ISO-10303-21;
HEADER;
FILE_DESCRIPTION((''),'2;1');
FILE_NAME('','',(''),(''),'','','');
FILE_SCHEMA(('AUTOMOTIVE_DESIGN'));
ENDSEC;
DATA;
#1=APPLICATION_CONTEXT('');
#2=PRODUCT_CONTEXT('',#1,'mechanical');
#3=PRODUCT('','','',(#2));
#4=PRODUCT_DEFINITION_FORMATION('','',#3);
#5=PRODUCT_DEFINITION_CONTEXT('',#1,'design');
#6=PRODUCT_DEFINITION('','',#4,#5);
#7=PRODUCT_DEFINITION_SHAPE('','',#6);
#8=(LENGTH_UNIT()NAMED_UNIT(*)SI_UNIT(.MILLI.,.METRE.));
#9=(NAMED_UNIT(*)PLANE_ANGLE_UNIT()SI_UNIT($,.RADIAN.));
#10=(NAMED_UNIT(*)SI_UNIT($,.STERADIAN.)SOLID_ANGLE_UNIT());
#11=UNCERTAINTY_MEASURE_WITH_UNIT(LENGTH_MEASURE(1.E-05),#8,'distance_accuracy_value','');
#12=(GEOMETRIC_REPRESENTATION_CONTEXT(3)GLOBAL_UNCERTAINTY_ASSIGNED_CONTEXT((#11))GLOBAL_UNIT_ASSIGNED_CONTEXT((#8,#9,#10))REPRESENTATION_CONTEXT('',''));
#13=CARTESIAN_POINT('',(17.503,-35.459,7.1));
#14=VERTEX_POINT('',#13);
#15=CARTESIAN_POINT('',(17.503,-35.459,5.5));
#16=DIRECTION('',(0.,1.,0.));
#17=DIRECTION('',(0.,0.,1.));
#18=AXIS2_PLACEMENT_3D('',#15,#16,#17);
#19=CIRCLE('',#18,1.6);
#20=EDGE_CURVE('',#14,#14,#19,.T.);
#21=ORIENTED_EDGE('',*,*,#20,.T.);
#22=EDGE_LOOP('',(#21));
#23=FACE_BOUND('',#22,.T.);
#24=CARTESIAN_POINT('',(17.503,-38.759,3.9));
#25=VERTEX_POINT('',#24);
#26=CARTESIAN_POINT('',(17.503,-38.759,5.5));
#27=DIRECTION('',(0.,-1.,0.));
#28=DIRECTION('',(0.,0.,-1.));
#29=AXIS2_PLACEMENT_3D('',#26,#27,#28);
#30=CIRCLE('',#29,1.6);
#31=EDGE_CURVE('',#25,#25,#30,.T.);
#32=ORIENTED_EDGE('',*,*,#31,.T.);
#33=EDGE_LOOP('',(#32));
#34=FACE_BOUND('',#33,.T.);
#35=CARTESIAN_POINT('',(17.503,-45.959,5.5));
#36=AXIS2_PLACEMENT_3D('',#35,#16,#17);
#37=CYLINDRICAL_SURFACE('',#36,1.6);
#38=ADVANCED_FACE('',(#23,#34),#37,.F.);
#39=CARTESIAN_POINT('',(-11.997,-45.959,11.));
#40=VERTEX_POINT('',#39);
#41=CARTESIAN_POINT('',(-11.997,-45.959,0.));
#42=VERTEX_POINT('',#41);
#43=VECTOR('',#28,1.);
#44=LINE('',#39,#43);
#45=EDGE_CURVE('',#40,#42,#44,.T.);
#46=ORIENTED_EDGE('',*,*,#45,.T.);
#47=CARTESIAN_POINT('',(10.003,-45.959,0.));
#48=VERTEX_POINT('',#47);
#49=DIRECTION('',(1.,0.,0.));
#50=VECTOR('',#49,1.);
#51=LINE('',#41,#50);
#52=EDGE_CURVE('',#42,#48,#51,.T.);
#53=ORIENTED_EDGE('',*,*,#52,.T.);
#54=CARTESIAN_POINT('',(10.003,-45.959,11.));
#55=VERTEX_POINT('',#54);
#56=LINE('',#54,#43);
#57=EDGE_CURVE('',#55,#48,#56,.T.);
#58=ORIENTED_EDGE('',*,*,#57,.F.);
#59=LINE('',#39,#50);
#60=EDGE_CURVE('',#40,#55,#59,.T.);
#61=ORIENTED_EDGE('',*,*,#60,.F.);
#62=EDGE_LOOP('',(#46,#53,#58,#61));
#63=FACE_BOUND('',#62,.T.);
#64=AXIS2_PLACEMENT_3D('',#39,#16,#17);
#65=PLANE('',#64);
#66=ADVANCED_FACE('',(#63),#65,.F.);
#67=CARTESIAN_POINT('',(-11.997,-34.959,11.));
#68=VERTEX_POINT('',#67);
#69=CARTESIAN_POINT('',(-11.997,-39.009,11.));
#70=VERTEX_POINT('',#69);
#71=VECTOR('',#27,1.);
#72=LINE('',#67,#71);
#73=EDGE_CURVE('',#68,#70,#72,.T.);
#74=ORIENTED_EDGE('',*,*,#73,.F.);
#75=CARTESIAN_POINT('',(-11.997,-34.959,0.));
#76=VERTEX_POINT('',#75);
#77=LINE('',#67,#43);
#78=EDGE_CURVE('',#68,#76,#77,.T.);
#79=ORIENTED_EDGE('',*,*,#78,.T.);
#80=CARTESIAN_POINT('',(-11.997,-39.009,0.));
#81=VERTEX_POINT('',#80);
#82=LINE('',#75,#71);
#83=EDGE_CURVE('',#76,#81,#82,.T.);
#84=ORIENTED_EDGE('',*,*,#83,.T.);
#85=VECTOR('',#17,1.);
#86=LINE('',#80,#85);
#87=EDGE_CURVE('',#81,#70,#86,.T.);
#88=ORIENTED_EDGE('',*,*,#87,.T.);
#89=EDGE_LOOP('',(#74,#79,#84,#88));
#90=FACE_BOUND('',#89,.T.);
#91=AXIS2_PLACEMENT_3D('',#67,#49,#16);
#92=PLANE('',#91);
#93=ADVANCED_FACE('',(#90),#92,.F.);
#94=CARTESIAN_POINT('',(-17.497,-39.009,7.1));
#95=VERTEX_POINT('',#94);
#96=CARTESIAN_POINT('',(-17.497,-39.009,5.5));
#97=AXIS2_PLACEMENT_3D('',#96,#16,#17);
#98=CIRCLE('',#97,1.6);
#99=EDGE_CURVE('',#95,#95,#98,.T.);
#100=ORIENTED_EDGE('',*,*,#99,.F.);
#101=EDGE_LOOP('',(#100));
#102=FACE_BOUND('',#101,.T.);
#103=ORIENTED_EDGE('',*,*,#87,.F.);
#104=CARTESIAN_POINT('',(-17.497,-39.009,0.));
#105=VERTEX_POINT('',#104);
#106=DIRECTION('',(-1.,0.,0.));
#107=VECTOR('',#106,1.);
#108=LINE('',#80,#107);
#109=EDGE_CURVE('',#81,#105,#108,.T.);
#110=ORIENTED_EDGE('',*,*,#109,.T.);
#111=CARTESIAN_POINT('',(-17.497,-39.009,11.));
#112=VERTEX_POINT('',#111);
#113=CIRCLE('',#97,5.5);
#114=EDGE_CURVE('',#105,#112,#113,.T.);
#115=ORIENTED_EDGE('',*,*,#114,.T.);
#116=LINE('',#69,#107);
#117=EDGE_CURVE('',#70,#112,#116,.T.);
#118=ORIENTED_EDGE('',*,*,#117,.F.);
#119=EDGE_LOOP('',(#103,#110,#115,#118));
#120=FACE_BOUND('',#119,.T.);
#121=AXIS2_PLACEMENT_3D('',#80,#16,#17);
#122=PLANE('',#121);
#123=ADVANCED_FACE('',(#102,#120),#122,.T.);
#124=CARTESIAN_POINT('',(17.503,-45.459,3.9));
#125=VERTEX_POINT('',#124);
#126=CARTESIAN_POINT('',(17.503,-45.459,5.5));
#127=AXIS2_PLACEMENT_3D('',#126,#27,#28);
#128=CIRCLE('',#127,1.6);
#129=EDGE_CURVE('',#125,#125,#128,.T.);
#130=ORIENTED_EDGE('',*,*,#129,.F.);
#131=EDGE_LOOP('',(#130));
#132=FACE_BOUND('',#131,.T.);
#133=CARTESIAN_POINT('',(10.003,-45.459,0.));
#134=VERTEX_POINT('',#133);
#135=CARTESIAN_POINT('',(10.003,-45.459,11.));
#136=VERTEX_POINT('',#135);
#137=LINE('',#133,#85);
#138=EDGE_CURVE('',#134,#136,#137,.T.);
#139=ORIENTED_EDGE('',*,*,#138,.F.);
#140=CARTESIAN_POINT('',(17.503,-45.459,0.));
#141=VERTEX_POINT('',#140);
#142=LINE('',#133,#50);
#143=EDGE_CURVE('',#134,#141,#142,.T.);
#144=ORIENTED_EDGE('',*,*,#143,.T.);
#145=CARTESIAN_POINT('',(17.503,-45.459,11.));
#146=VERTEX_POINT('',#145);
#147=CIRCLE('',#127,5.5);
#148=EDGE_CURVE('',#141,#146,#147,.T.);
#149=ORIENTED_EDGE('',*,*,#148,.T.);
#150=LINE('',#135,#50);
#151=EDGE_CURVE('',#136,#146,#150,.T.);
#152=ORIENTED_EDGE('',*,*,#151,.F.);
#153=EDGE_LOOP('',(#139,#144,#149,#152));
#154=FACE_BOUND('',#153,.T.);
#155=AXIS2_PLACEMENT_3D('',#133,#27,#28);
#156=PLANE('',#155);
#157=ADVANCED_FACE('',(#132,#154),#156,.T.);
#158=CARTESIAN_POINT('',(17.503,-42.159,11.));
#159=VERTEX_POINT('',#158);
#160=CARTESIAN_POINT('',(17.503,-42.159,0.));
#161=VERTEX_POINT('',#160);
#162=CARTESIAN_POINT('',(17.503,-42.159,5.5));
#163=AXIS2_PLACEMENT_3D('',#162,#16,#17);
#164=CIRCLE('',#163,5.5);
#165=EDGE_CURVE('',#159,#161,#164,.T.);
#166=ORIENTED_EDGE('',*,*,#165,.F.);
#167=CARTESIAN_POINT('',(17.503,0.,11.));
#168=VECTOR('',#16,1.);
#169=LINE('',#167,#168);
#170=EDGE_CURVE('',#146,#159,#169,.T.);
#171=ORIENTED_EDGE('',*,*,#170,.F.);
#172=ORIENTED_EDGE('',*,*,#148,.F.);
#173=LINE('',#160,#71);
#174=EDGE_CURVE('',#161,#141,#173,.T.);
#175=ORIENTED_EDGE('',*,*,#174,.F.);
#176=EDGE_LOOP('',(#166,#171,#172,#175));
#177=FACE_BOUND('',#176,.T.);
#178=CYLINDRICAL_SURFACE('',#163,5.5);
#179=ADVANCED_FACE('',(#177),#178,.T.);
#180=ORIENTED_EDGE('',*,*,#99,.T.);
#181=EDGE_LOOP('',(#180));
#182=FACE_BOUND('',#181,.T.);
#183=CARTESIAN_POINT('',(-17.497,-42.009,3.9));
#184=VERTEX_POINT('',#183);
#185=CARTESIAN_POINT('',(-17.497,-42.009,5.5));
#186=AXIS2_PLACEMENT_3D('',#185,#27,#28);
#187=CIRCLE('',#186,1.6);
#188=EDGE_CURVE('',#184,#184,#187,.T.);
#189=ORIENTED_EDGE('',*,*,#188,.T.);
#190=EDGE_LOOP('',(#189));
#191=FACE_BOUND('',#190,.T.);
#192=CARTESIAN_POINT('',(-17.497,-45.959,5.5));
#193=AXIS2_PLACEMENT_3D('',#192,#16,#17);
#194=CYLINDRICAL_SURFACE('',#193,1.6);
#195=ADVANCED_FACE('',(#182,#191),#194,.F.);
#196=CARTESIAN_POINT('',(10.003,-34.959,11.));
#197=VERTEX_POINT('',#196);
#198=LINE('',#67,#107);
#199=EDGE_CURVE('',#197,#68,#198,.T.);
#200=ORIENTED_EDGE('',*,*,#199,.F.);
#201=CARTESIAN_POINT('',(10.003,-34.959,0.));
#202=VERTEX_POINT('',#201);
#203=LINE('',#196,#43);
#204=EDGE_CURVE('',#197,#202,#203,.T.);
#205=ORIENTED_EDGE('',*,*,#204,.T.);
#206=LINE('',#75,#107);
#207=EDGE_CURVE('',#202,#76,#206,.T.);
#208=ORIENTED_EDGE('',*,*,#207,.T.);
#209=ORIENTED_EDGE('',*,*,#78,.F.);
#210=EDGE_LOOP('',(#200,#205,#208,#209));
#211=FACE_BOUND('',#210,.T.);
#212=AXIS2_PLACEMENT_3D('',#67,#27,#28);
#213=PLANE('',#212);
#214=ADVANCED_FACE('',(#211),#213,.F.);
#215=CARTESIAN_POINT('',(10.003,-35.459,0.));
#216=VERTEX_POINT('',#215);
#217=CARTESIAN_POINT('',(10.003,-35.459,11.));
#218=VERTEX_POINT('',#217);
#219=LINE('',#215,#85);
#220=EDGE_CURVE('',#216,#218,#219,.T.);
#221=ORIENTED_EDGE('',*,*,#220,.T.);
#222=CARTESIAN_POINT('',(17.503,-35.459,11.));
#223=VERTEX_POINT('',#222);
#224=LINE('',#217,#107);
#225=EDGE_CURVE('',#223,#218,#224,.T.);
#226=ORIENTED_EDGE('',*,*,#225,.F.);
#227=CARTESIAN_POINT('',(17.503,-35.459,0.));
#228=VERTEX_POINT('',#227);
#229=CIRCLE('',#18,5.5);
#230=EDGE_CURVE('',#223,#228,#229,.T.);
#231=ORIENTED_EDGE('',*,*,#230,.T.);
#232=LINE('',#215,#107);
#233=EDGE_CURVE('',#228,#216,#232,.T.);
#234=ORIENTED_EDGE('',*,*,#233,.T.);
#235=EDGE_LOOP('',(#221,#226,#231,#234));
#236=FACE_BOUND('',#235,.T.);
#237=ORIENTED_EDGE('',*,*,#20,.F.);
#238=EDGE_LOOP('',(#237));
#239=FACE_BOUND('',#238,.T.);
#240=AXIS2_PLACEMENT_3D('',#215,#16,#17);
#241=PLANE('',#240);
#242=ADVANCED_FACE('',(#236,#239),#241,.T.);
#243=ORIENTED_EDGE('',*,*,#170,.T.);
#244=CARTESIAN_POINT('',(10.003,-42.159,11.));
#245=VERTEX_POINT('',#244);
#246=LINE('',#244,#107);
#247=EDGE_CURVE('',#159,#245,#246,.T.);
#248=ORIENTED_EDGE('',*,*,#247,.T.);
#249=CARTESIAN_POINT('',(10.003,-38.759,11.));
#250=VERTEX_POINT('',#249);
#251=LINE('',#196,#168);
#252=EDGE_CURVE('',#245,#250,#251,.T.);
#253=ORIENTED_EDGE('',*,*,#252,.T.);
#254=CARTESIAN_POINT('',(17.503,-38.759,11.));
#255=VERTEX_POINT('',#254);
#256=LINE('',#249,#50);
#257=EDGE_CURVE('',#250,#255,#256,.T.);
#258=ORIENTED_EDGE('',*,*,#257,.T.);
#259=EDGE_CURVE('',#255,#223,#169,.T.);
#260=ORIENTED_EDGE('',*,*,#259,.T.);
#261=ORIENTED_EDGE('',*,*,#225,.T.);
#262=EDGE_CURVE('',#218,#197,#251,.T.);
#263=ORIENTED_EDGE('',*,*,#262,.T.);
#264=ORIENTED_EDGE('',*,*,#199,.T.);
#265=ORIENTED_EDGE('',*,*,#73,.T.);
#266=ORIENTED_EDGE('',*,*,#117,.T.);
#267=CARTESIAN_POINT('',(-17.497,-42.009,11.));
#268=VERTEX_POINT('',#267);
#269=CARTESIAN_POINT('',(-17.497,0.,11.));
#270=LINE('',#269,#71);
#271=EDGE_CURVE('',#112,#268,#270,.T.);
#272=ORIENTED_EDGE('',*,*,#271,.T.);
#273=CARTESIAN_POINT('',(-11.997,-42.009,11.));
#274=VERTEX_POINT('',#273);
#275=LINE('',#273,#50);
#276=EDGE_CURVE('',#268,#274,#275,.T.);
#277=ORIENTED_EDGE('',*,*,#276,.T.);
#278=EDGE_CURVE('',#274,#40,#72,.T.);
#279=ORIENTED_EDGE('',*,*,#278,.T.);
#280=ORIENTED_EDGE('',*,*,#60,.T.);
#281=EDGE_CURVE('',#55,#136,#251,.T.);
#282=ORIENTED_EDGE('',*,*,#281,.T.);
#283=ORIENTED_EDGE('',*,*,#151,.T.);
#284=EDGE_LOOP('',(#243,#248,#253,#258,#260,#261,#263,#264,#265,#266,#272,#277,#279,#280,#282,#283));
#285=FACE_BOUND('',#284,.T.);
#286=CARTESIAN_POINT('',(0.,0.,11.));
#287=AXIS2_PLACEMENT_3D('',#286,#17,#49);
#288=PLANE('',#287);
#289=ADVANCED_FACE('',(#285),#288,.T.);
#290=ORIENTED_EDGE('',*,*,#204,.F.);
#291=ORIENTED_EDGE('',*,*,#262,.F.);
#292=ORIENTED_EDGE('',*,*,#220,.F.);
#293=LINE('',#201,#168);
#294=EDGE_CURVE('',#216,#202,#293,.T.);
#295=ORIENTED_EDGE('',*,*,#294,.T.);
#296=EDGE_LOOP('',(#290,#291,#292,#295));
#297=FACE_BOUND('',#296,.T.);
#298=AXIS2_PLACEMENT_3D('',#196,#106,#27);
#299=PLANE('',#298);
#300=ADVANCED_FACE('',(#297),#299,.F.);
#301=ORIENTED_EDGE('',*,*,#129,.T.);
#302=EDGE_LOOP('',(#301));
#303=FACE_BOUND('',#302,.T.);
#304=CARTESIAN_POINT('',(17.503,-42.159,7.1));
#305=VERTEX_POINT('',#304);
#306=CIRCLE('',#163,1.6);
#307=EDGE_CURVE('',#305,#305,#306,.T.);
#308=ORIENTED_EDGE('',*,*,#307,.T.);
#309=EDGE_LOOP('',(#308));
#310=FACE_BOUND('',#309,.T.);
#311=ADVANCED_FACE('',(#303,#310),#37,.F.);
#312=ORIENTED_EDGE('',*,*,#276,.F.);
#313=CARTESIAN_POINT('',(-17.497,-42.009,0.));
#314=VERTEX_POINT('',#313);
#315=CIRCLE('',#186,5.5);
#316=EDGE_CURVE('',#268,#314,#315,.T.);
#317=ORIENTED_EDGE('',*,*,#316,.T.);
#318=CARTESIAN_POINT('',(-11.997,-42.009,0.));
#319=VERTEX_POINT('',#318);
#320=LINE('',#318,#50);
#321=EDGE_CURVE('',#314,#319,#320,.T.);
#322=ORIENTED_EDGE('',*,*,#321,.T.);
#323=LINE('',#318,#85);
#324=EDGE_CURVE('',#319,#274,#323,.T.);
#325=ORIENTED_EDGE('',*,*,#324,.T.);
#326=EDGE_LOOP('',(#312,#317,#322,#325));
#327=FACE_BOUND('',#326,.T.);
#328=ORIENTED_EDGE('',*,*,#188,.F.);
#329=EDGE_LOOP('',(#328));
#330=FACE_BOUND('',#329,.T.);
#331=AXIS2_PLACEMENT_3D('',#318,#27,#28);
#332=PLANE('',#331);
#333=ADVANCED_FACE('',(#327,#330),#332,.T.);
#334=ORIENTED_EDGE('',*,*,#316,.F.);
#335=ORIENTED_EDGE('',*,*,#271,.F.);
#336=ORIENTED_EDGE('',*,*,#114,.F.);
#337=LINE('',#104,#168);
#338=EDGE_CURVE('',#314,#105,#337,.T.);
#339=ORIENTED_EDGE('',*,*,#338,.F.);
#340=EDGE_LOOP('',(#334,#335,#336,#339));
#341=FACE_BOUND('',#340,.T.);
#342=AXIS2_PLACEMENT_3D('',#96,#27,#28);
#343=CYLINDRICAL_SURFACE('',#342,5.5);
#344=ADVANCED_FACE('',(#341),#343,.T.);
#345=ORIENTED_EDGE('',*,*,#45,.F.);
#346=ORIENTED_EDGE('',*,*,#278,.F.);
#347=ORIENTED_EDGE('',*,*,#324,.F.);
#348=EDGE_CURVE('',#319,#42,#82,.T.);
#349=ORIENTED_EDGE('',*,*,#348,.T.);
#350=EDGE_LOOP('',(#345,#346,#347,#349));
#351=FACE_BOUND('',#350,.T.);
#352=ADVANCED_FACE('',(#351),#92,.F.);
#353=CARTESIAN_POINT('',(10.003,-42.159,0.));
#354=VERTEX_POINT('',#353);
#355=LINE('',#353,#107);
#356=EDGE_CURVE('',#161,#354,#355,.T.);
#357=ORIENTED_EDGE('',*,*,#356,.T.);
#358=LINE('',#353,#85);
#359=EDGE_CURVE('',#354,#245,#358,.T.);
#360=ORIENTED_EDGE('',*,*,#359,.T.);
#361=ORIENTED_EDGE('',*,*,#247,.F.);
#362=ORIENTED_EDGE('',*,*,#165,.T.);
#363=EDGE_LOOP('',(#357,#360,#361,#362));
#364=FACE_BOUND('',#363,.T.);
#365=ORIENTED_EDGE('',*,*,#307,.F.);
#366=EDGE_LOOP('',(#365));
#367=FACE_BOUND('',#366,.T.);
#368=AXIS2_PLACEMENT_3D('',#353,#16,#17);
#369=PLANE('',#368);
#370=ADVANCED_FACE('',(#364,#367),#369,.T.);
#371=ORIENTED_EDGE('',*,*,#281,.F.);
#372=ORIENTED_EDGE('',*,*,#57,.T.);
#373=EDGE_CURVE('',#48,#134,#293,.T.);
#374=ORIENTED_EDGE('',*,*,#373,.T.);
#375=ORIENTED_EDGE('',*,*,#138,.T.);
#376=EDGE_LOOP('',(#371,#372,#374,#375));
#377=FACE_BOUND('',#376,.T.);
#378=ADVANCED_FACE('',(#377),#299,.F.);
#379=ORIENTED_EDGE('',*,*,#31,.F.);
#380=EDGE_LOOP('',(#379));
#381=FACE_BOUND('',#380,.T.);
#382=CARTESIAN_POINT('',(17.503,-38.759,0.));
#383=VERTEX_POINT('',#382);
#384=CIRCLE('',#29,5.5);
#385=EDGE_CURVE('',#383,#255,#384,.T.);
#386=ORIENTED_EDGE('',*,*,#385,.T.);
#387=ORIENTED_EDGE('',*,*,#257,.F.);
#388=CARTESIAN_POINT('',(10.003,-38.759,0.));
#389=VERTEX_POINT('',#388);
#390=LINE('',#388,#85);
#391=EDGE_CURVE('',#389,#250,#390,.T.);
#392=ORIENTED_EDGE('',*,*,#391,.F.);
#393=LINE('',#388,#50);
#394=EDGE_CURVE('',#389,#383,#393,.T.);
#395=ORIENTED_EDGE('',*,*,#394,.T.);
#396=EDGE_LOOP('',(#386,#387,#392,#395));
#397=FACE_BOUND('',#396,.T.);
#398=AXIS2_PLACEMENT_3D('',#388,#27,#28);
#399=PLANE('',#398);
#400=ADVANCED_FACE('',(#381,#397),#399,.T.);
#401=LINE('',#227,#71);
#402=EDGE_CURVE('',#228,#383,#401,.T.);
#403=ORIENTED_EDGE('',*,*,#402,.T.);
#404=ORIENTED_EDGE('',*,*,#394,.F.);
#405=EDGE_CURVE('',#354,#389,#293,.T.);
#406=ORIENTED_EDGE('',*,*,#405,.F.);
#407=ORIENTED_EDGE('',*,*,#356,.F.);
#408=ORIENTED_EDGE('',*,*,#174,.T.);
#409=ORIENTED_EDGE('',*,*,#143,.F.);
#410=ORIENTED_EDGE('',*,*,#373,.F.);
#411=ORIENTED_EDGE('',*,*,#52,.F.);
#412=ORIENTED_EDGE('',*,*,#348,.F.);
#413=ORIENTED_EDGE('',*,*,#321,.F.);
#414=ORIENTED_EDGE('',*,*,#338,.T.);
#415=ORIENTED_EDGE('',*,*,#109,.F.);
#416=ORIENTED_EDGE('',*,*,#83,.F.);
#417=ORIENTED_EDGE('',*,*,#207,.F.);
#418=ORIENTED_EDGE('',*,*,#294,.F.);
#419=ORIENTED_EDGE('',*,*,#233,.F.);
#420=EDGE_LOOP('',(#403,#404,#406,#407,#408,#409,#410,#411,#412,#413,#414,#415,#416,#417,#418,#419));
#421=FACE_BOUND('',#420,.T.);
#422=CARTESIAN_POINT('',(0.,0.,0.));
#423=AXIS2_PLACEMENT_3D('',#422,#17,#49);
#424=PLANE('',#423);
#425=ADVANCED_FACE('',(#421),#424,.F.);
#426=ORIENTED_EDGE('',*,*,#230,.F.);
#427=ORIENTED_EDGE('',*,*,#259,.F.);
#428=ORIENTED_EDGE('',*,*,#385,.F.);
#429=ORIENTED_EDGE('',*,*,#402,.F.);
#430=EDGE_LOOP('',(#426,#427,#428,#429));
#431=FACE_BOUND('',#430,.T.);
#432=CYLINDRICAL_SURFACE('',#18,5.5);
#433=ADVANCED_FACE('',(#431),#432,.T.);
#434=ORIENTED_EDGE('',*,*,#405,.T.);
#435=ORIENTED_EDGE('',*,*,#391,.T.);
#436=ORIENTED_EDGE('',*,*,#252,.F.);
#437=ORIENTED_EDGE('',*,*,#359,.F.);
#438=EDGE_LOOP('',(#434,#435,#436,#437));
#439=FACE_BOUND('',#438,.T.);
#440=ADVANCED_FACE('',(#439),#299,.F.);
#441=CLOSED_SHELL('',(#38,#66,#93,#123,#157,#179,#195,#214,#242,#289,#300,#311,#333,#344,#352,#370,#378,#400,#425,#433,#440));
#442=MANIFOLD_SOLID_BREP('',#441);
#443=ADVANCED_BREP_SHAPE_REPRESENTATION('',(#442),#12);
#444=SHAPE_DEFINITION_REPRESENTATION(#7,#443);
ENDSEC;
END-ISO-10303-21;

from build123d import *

# Parameters (mm, degrees)
CROQUIS2_W              = 22
CROQUIS2_H              = 11
SALIENTE_EXTRUIR1_DEPTH = 11
CROQUIS4_W              = 13
CROQUIS4_H              = 3.3
CROQUIS4_W_2            = 11
CROQUIS4_H_2            = 3
SALIENTE_EXTRUIR2_DEPTH = 11
REDONDEO1_RADIUS        = 5.5
REDONDEO1_LENGTH        = 3
REDONDEO2_RADIUS        = 5.5
REDONDEO2_LENGTH        = 3.3
REDONDEO3_RADIUS        = 5.5
REDONDEO3_LENGTH        = 3.3
CROQUIS7_R              = 1.6
CORTAR_EXTRUIR3_DEPTH   = 27.428025294
CROQUIS8_R              = 1.6
CORTAR_EXTRUIR4_DEPTH   = 28.575134105


with BuildPart() as part:
    # Croquis2 → Saliente-Extruir1 (new body)
    with BuildSketch(Plane.XY):
        with Locations((-0.996999741, -40.458999634)):
            Rectangle(CROQUIS2_W, CROQUIS2_H)
    extrude(amount=SALIENTE_EXTRUIR1_DEPTH)

    # Croquis4 → Saliente-Extruir2 (add)
    with BuildSketch(Plane.XY.offset(11)):
        with Locations((16.503000259, -43.808999634)):
            Rectangle(CROQUIS4_W, CROQUIS4_H)
        with Locations((-17.496999741, -40.508999634)):
            Rectangle(CROQUIS4_W_2, CROQUIS4_H_2)
        with Locations((16.503000259, -37.108999634)):
            Rectangle(CROQUIS4_W, CROQUIS4_H)
    extrude(amount=-SALIENTE_EXTRUIR2_DEPTH)

    # Redondeo1: full round fillet: the end face becomes a half cylinder, R = half its width
    redondeo1_face = Plane((-22.996999741, -40.508999634, 5.5), x_dir=(0, -1, 0), z_dir=(-1, 0, 0))  # on the end face: x along it, z out of the body
    redondeo1_slab = redondeo1_face.offset(-REDONDEO1_RADIUS / 2) * Box(REDONDEO1_LENGTH, 2 * REDONDEO1_RADIUS, REDONDEO1_RADIUS, mode=Mode.PRIVATE)  # the body's end, R deep
    redondeo1_round = Plane((-17.496999741, -40.508999634, 5.5), x_dir=(-1, 0, 0), z_dir=(0, -1, 0)) * Cylinder(REDONDEO1_RADIUS, REDONDEO1_LENGTH, mode=Mode.PRIVATE)  # its axis R under the face
    add(redondeo1_slab - redondeo1_round, mode=Mode.SUBTRACT)

    # Redondeo2: full round fillet: the end face becomes a half cylinder, R = half its width
    redondeo2_face = Plane((23.003000259, -37.108999634, 5.5), x_dir=(0, 1, 0), z_dir=(1, 0, 0))  # on the end face: x along it, z out of the body
    redondeo2_slab = redondeo2_face.offset(-REDONDEO2_RADIUS / 2) * Box(REDONDEO2_LENGTH, 2 * REDONDEO2_RADIUS, REDONDEO2_RADIUS, mode=Mode.PRIVATE)  # the body's end, R deep
    redondeo2_round = Plane((17.503000259, -37.108999634, 5.5), x_dir=(1, 0, 0), z_dir=(0, 1, 0)) * Cylinder(REDONDEO2_RADIUS, REDONDEO2_LENGTH, mode=Mode.PRIVATE)  # its axis R under the face
    add(redondeo2_slab - redondeo2_round, mode=Mode.SUBTRACT)

    # Redondeo3: full round fillet: the end face becomes a half cylinder, R = half its width
    redondeo3_face = Plane((23.003000259, -43.808999634, 5.5), x_dir=(0, 1, 0), z_dir=(1, 0, 0))  # on the end face: x along it, z out of the body
    redondeo3_slab = redondeo3_face.offset(-REDONDEO3_RADIUS / 2) * Box(REDONDEO3_LENGTH, 2 * REDONDEO3_RADIUS, REDONDEO3_RADIUS, mode=Mode.PRIVATE)  # the body's end, R deep
    redondeo3_round = Plane((17.503000259, -43.808999634, 5.5), x_dir=(1, 0, 0), z_dir=(0, 1, 0)) * Cylinder(REDONDEO3_RADIUS, REDONDEO3_LENGTH, mode=Mode.PRIVATE)  # its axis R under the face
    add(redondeo3_slab - redondeo3_round, mode=Mode.SUBTRACT)

    # Croquis7 → Cortar-Extruir3 (cut, through all)
    with BuildSketch(Plane(origin=(0, -39.008999634, 0), x_dir=(1, 0, 0), z_dir=(0, 1, 0))):
        with Locations(Location((-17.496999741, -5.5, 0), (0, 0, 270))):
            Circle(CROQUIS7_R)
    extrude(amount=-CORTAR_EXTRUIR3_DEPTH, mode=Mode.SUBTRACT)

    # Croquis8 → Cortar-Extruir4 (cut, through all)
    with BuildSketch(Plane(origin=(0, -35.458999634, 0), x_dir=(1, 0, 0), z_dir=(0, 1, 0))):
        with Locations(Location((17.503000259, -5.5, 0), (0, 0, 270))):
            Circle(CROQUIS8_R)
    extrude(amount=-CORTAR_EXTRUIR4_DEPTH, mode=Mode.SUBTRACT)


solid = part.part
